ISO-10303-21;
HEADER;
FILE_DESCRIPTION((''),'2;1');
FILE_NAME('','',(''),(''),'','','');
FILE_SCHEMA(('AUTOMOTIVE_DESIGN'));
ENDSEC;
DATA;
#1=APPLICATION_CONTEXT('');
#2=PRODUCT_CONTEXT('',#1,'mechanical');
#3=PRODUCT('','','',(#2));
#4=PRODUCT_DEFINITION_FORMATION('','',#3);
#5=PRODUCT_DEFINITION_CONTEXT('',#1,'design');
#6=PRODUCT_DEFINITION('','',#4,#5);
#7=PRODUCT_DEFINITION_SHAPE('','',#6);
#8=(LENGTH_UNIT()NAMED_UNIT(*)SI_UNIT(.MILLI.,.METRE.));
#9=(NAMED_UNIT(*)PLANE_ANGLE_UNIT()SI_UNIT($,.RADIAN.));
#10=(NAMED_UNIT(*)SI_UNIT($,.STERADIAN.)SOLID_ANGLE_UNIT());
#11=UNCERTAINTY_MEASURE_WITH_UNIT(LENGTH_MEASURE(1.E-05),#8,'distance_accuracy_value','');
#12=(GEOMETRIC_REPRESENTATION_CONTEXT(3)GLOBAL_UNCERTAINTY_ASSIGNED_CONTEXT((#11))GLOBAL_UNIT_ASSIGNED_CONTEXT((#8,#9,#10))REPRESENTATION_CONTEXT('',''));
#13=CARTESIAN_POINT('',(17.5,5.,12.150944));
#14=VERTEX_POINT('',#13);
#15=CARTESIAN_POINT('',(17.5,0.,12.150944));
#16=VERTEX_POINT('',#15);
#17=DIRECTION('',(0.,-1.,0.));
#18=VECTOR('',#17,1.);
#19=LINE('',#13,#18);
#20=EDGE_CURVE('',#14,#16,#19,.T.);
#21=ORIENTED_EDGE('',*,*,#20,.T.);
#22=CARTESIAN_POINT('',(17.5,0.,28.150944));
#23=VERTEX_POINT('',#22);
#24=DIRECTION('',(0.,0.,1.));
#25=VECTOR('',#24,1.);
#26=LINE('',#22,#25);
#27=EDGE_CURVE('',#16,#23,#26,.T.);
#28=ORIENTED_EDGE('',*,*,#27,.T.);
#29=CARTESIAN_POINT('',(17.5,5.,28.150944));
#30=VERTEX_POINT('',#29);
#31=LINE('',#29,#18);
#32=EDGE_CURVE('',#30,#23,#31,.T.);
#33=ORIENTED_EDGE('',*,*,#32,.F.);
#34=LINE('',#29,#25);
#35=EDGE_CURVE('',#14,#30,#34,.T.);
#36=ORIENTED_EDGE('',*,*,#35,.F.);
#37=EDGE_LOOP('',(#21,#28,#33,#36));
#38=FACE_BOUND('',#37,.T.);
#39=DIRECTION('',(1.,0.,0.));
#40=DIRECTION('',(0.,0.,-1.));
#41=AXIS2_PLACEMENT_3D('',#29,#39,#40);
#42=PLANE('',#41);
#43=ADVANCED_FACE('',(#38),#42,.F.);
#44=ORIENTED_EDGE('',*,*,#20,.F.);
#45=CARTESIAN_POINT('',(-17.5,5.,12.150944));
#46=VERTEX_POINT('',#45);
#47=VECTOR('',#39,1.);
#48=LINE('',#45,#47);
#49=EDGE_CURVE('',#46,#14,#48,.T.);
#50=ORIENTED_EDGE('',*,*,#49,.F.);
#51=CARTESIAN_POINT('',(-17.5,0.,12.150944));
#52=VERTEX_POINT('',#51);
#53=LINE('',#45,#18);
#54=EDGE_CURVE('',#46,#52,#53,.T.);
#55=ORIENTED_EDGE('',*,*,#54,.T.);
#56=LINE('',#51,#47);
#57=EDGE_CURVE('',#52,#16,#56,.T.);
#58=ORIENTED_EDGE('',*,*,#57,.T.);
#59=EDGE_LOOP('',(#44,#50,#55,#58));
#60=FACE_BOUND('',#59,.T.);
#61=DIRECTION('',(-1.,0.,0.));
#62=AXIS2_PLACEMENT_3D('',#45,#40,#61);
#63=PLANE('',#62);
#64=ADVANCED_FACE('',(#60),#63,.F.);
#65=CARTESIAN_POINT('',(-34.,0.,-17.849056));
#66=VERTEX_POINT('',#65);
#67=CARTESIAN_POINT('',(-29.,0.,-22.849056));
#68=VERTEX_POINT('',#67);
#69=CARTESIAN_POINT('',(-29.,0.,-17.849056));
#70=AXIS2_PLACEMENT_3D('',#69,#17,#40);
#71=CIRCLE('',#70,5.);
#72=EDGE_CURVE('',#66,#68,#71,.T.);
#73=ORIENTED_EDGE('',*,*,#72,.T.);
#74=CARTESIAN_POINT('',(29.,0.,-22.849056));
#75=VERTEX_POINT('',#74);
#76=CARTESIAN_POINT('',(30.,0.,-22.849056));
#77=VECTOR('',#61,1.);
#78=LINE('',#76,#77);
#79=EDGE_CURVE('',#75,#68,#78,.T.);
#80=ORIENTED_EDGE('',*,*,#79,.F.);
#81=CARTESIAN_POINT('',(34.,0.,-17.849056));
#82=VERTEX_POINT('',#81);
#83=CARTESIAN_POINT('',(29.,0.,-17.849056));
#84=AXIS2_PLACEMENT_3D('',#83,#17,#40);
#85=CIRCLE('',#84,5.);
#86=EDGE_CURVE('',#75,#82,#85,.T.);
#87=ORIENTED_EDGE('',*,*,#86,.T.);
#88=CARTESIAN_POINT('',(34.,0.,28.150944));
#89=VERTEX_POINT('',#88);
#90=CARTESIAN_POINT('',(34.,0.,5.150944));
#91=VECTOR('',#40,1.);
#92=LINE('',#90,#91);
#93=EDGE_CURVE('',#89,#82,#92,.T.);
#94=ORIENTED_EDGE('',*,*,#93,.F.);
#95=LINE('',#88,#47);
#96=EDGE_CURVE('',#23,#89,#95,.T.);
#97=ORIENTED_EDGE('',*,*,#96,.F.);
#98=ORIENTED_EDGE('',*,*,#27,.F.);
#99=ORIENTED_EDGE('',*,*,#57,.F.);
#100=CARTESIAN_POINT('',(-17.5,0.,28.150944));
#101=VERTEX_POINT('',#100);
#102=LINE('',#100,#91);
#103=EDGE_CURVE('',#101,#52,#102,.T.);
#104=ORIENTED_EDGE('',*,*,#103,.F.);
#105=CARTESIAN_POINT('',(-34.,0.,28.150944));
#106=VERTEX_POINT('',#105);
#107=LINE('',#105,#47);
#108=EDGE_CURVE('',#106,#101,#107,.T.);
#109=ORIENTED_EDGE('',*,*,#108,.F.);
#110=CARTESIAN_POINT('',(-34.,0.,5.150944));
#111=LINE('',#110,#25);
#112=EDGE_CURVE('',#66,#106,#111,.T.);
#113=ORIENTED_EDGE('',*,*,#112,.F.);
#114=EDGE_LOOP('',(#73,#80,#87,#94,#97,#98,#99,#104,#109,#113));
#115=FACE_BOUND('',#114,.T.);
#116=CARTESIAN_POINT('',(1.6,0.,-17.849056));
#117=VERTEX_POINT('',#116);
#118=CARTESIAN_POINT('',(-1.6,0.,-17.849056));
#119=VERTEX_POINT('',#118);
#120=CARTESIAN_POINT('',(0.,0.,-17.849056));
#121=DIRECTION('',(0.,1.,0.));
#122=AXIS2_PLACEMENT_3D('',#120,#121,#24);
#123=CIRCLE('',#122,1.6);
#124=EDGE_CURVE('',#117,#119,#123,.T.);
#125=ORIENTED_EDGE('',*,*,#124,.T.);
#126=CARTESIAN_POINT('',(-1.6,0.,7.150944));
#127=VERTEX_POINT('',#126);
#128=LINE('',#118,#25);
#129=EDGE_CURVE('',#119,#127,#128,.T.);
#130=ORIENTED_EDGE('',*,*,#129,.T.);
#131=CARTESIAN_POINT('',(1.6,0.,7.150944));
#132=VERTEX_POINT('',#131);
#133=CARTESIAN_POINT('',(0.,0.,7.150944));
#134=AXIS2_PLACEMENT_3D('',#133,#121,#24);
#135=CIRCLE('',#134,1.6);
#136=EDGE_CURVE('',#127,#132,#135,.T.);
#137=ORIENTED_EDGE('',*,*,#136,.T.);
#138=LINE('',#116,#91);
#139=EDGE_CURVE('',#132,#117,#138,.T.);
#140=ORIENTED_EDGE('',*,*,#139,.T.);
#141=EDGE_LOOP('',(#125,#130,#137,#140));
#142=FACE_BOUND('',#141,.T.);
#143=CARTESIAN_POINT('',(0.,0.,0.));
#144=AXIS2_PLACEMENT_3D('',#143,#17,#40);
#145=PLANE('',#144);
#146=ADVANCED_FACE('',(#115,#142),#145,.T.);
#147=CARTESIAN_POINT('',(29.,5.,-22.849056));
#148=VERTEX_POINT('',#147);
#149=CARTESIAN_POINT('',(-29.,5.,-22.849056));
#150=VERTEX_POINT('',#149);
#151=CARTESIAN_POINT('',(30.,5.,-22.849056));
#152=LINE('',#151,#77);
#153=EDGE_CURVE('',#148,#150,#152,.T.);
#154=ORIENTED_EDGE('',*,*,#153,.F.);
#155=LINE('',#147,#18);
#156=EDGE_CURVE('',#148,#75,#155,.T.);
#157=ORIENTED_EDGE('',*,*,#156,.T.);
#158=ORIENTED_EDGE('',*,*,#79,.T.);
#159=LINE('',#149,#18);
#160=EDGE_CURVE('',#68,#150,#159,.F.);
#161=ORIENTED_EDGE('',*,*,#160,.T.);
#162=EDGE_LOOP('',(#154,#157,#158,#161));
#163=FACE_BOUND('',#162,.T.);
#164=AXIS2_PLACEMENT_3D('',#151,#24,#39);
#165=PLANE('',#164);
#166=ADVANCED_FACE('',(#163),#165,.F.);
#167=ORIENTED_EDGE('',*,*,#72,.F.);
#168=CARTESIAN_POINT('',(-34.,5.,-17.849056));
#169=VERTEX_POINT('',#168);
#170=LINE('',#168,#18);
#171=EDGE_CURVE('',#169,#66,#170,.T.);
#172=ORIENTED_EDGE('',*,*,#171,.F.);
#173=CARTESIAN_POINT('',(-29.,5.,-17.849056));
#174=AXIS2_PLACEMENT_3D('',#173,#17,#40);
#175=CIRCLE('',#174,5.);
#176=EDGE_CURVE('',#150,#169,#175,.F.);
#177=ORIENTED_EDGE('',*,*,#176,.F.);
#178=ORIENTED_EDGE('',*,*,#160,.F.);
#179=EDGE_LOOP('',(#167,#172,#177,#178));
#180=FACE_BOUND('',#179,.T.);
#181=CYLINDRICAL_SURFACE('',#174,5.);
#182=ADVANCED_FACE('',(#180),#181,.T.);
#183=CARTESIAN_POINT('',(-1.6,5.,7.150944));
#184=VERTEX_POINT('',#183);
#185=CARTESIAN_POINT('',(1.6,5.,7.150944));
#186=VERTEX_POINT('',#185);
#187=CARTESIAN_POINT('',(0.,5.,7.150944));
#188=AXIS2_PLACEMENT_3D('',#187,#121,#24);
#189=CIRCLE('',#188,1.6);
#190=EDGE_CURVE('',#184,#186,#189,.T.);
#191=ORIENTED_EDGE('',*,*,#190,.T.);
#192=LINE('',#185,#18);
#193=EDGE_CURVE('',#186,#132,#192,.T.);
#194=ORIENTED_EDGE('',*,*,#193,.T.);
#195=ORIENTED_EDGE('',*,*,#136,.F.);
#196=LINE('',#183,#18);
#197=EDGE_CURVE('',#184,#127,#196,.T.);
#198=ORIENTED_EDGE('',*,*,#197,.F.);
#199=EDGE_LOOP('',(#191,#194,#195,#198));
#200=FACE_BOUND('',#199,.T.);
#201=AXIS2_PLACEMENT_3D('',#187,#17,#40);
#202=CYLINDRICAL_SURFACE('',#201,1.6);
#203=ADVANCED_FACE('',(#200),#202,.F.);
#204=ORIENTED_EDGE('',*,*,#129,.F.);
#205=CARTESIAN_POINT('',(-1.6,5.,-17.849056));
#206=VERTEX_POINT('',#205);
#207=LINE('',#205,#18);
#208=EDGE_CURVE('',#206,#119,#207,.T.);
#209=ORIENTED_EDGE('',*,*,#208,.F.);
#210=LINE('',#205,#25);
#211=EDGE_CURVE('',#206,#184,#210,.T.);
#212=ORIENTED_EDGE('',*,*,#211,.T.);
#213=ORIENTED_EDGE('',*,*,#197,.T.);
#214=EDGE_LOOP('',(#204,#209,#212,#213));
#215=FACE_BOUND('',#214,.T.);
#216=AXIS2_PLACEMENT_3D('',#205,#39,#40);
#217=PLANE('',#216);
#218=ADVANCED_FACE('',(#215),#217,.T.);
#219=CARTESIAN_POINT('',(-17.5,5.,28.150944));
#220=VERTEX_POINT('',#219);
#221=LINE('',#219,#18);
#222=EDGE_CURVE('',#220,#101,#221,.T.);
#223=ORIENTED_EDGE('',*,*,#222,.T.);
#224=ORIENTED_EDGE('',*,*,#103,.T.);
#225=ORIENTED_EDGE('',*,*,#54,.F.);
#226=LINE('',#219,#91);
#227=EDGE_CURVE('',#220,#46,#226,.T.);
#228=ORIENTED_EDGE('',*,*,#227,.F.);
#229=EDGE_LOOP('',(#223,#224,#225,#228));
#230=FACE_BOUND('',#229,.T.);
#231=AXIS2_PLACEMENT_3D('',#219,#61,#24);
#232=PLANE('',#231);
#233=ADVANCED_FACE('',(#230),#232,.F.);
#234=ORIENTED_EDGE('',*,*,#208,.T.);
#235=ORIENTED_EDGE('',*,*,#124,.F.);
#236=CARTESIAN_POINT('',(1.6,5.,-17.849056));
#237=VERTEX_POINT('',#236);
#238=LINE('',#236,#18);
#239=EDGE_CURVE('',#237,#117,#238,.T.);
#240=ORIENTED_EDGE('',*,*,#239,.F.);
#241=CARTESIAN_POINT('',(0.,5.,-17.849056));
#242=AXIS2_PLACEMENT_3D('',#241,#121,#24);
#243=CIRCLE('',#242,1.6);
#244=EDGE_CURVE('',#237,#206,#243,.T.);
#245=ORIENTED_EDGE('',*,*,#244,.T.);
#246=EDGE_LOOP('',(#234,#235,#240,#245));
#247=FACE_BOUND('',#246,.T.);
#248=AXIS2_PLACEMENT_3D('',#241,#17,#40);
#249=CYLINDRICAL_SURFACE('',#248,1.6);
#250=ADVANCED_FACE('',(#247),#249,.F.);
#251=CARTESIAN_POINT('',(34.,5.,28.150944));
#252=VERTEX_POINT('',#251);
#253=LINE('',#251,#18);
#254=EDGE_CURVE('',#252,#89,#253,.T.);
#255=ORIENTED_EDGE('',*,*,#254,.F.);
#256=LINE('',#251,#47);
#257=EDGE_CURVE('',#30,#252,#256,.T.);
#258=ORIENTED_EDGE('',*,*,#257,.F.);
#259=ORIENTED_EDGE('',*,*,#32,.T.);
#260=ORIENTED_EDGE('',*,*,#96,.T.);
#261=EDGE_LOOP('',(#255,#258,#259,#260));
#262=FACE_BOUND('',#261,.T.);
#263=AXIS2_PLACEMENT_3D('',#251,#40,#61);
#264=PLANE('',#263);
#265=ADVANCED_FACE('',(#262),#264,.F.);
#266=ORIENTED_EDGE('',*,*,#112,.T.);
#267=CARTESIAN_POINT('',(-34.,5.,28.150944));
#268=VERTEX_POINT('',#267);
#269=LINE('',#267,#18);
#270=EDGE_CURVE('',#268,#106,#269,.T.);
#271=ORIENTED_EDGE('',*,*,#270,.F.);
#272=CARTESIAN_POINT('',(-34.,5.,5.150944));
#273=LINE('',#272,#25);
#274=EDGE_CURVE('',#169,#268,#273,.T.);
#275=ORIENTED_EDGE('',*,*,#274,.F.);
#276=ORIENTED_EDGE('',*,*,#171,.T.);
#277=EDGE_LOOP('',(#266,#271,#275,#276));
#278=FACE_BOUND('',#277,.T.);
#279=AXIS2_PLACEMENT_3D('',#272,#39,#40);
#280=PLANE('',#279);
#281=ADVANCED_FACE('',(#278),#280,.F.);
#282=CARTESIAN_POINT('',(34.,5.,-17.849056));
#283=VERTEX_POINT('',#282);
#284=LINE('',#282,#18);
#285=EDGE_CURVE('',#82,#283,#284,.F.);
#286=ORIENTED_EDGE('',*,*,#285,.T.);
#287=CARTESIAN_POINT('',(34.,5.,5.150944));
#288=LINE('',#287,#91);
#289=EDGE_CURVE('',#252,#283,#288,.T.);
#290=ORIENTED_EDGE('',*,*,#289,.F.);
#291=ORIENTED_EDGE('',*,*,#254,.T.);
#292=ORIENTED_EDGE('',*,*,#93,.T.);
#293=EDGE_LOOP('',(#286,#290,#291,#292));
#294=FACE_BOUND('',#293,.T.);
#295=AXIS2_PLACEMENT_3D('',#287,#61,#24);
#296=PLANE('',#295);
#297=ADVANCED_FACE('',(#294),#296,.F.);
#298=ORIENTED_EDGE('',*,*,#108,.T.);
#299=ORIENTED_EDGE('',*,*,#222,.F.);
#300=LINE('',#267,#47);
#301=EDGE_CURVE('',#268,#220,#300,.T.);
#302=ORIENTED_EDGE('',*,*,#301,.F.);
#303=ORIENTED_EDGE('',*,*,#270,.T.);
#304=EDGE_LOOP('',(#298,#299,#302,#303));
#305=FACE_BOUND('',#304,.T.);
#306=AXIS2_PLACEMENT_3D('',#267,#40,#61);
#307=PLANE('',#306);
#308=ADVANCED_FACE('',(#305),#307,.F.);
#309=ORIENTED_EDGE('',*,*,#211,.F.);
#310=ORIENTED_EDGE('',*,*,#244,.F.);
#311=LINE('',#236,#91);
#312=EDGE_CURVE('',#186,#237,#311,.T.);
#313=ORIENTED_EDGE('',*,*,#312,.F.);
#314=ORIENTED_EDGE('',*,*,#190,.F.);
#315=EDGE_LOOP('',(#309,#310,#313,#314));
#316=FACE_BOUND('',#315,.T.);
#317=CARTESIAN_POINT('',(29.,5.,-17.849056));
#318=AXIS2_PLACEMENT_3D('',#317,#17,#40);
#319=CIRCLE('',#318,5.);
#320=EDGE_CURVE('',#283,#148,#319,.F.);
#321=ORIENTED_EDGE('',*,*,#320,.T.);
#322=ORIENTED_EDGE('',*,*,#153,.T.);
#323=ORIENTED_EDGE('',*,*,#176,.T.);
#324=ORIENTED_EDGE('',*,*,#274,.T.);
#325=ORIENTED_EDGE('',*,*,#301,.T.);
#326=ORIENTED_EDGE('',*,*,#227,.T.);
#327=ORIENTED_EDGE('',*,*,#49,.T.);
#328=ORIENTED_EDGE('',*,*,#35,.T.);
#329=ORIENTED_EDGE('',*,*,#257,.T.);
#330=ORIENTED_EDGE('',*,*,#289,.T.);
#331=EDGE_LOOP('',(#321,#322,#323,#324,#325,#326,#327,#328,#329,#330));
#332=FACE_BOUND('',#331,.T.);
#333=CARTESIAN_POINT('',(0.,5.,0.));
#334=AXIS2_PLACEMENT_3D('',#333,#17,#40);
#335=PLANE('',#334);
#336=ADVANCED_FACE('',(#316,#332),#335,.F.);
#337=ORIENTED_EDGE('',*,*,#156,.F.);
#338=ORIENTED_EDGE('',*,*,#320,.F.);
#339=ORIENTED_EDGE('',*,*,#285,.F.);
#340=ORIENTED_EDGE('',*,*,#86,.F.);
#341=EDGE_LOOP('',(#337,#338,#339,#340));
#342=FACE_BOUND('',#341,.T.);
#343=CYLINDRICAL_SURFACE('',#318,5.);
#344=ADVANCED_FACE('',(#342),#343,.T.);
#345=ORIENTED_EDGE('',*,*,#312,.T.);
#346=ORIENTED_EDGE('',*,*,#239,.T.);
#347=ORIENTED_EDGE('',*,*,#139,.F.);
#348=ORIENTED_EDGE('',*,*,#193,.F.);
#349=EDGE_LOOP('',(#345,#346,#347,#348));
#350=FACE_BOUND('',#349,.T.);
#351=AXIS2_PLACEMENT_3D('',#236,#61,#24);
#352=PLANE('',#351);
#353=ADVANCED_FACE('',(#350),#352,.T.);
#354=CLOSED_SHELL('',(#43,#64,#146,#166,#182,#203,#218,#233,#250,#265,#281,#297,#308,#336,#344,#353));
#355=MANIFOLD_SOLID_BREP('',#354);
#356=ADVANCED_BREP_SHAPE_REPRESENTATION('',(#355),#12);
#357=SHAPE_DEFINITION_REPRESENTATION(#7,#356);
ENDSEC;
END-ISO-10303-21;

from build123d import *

# Parameters (mm, degrees)
EXTRUDE_1_DEPTH = 5
SKETCH_2_W      = 4
SKETCH_2_H      = 28
EXTRUDE_2_DEPTH = 5
FILLET_1_R      = 5


with BuildPart() as part:
    # 草图1 → 凸台-拉伸1 (new body)
    with BuildSketch(Plane(origin=(0, 0, 0), x_dir=(1, 0, 0), z_dir=(0, 1, 0))):
        Polygon((30, 22.84905584), (-30, 22.84905584), (-30, -5.15094416), (-34, -5.15094416), (-34, -28.15094416), (-17.5, -28.15094416), (-17.5, -12.15094416), (17.5, -12.15094416), (17.5, -28.15094416), (34, -28.15094416), (34, -5.15094416), (30, -5.15094416), align=None)
        with BuildLine():
            Line((1.6, 17.84905584), (1.6, -7.15094416))
            ThreePointArc((1.6, -7.15094416), (0, -8.75094416), (-1.6, -7.15094416))
            Line((-1.6, -7.15094416), (-1.6, 17.84905584))
            ThreePointArc((-1.6, 17.84905584), (0, 19.44905584), (1.6, 17.84905584))
        make_face(mode=Mode.SUBTRACT)
    extrude(amount=EXTRUDE_1_DEPTH)

    # 草图2 → 凸台-拉伸2 (add)
    with BuildSketch(Plane(origin=(0, 0, 0), x_dir=(1, 0, 0), z_dir=(0, 1, 0))):
        with Locations((-32, 8.84905584)):
            Rectangle(SKETCH_2_W, SKETCH_2_H)
        with Locations((32, 8.84905584)):
            Rectangle(SKETCH_2_W, SKETCH_2_H)
    extrude(amount=EXTRUDE_2_DEPTH)

    # 圆角1
    fillet_1_edges = [part.edges().sort_by_distance(p)[0] for p in [
        (-34, 2.5, -22.84905584),
        (34, 2.5, -22.84905584),
    ]]
    fillet(fillet_1_edges, radius=FILLET_1_R)


solid = part.part
